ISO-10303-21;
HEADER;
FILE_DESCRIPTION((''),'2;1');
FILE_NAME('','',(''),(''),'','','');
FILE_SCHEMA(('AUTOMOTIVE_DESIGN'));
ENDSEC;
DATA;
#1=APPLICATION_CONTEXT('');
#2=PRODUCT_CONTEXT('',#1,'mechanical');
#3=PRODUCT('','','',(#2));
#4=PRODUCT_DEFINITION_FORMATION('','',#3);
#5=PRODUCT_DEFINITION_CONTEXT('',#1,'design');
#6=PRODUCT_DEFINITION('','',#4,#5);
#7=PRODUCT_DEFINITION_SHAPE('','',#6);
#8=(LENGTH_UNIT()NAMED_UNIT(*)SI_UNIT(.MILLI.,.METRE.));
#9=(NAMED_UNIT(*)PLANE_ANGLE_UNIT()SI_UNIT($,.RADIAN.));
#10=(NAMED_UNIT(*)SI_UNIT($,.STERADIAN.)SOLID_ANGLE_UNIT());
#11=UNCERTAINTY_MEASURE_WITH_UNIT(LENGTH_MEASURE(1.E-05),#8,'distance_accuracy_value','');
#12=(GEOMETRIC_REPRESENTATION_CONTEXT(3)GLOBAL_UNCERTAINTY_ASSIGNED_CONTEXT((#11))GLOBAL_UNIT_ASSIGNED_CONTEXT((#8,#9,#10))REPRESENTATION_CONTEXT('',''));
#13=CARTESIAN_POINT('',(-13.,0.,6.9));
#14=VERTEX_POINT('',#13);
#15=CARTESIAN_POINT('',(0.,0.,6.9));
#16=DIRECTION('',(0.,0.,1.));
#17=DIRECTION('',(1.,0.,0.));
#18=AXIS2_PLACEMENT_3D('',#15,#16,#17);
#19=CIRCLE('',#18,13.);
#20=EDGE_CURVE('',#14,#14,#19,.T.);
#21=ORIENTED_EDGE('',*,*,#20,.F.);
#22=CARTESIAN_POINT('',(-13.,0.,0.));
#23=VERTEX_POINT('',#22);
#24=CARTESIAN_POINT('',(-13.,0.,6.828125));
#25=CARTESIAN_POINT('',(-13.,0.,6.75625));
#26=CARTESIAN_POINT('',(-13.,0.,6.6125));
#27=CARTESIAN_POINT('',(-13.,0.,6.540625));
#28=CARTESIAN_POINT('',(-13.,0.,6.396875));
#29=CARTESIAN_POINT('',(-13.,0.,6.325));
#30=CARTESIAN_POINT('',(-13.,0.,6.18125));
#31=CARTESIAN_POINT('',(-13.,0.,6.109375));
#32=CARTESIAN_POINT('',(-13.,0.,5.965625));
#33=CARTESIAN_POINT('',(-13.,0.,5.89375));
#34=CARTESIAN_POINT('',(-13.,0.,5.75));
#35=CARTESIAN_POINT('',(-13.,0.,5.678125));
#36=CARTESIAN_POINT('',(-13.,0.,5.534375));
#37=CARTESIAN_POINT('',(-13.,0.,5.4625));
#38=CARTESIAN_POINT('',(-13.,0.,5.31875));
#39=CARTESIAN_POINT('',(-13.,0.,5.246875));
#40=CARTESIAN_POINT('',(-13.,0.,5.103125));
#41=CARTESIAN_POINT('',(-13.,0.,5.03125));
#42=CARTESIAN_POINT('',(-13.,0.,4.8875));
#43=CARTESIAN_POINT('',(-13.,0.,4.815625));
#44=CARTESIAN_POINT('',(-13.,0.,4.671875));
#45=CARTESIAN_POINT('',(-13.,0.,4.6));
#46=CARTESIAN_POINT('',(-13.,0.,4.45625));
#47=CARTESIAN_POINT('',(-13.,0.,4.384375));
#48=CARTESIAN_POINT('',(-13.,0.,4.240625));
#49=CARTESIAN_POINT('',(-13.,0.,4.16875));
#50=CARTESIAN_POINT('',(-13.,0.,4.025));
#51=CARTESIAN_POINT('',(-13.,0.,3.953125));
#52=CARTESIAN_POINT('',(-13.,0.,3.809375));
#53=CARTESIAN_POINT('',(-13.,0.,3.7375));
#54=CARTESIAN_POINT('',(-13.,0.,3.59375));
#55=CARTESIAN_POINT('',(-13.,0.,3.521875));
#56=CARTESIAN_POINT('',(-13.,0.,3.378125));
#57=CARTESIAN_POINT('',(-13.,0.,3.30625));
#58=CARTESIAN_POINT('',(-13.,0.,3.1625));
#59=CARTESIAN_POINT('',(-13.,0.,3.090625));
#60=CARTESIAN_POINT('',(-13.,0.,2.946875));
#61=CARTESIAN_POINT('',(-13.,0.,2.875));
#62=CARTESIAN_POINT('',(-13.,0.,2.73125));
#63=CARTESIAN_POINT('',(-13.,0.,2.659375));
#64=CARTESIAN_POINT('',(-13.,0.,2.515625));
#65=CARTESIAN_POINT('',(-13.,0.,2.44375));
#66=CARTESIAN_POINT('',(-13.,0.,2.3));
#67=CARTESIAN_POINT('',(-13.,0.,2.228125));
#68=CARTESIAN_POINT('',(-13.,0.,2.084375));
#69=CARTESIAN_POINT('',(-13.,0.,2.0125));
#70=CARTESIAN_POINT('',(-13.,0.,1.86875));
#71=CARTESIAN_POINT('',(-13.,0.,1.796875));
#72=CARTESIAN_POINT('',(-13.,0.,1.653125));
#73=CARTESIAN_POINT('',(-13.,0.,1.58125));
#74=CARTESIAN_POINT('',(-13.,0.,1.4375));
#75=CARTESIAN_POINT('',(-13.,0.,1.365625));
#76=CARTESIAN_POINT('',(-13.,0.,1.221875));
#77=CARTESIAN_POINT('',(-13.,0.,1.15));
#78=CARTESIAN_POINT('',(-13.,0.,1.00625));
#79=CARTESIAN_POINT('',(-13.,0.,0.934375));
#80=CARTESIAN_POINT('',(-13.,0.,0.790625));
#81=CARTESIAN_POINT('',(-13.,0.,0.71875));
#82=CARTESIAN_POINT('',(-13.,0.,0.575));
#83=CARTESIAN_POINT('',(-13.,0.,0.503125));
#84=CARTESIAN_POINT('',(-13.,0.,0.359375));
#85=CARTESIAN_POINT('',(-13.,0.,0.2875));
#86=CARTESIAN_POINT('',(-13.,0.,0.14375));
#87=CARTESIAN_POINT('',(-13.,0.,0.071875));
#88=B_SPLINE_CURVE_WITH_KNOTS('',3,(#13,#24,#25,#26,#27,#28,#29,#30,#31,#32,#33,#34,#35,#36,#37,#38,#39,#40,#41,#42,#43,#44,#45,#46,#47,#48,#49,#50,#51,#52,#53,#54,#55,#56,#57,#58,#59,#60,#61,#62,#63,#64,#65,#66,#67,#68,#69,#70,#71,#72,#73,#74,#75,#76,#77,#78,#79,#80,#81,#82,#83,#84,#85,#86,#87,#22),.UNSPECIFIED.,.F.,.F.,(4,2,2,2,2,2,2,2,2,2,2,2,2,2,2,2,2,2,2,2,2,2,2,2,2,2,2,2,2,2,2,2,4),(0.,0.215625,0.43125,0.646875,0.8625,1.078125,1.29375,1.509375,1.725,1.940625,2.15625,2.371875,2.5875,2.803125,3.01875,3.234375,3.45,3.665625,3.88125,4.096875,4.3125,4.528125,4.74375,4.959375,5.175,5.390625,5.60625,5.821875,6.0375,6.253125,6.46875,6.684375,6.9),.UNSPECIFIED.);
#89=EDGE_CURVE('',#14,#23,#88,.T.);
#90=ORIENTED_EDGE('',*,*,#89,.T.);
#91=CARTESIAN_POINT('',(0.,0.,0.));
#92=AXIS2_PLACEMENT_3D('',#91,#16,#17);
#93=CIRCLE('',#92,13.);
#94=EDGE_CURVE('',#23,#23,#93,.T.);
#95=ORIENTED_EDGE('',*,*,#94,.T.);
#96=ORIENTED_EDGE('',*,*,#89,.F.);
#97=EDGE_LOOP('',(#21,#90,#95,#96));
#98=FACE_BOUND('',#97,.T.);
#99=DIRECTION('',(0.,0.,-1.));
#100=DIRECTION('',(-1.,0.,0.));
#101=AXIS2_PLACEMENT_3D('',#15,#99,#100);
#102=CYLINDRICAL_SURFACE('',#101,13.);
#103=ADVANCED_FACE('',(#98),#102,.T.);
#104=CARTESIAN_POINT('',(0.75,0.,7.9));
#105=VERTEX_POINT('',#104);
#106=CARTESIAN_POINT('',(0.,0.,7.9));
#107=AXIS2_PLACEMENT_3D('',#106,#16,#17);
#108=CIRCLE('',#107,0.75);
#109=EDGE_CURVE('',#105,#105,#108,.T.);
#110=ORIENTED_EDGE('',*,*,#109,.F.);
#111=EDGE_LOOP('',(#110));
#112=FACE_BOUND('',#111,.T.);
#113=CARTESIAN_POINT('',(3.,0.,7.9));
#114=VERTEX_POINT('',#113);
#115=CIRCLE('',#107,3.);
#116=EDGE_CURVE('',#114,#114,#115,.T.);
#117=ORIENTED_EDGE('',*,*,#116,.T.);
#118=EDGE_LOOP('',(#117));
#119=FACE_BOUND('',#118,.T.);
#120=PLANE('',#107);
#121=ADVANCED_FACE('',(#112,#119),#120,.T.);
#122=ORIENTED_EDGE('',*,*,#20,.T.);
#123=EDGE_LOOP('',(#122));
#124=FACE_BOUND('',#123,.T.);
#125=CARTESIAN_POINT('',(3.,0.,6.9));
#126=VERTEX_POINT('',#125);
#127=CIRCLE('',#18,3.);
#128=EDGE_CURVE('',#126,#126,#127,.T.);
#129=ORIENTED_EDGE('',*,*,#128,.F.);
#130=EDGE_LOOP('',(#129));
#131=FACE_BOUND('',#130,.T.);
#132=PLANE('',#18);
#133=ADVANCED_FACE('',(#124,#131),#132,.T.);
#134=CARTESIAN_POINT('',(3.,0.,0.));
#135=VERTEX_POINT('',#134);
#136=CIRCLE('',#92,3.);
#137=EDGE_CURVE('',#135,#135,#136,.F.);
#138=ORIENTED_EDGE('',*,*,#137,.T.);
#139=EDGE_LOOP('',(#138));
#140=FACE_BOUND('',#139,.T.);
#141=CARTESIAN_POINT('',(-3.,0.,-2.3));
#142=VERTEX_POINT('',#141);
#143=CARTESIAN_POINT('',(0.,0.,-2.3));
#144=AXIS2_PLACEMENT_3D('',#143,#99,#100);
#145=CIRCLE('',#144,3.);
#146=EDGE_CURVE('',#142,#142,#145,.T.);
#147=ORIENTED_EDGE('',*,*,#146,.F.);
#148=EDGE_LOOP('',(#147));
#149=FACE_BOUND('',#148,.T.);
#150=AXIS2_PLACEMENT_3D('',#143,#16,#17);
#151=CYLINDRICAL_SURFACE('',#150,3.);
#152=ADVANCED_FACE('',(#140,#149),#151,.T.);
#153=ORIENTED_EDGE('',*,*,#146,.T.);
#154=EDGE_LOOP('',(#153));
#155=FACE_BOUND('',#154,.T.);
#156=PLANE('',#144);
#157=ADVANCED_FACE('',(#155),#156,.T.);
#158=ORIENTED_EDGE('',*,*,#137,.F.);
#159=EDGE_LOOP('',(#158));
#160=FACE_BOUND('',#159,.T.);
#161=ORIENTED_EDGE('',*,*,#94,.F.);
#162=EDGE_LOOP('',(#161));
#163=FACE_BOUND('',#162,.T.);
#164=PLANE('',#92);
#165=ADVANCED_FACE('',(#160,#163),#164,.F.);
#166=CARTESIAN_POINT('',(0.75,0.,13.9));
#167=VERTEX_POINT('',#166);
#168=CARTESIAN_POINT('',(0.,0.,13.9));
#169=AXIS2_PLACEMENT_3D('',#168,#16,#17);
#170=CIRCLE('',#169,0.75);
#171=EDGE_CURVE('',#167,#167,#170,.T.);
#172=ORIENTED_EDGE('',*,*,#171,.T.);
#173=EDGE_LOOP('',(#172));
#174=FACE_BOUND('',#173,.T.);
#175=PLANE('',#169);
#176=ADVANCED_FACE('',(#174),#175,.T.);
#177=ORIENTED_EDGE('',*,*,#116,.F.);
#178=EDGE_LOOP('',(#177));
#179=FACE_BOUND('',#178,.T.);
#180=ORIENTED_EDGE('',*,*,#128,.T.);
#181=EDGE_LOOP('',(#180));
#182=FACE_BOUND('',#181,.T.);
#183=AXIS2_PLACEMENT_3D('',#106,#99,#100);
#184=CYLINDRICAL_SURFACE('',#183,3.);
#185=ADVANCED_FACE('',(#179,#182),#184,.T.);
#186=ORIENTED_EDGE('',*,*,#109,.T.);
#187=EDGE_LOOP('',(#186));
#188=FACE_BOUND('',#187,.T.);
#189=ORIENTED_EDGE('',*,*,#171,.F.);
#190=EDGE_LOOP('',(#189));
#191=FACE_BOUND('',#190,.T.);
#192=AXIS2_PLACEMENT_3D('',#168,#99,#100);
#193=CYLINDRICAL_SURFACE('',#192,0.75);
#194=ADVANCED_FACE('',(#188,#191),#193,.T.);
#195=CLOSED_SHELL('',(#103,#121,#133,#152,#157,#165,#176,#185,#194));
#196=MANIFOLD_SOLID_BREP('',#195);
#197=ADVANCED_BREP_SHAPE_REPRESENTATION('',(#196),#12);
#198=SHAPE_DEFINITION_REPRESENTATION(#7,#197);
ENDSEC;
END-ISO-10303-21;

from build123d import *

# Parameters (mm, degrees)
ESQUISSE1_R        = 13
BOSS_EXTRU_1_DEPTH = 6.9
ESQUISSE2_R        = 3
BOSS_EXTRU_2_DEPTH = 1
ESQUISSE3_R        = 0.75
BOSS_EXTRU_3_DEPTH = 6
BOSS_EXTRU_4_START = 2.3
ESQUISSE4_R        = 3
BOSS_EXTRU_4_DEPTH = 2.3


with BuildPart() as part:
    # Esquisse1 → Boss.-Extru.1 (new body)
    with BuildSketch(Plane.XY):
        with Locations(Location((0, 0, 0), (0, 0, 180))):
            Circle(ESQUISSE1_R)
    extrude(amount=BOSS_EXTRU_1_DEPTH)

    # Esquisse2 → Boss.-Extru.2 (add)
    with BuildSketch(Plane.XY.offset(6.9)):
        Circle(ESQUISSE2_R)
    extrude(amount=BOSS_EXTRU_2_DEPTH)

    # Esquisse3 → Boss.-Extru.3 (add)
    with BuildSketch(Plane.XY.offset(7.9)):
        Circle(ESQUISSE3_R)
    extrude(amount=BOSS_EXTRU_3_DEPTH)

    # Esquisse4 → Boss.-Extru.4 (add)
    with BuildSketch(Plane(origin=(0, 0, 0), x_dir=(-1, 0, 0), z_dir=(0, 0, -1)).offset(BOSS_EXTRU_4_START)):
        with Locations(Location((0, 0, 0), (0, 0, 180))):
            Circle(ESQUISSE4_R)
    extrude(amount=-BOSS_EXTRU_4_DEPTH)


solid = part.part
